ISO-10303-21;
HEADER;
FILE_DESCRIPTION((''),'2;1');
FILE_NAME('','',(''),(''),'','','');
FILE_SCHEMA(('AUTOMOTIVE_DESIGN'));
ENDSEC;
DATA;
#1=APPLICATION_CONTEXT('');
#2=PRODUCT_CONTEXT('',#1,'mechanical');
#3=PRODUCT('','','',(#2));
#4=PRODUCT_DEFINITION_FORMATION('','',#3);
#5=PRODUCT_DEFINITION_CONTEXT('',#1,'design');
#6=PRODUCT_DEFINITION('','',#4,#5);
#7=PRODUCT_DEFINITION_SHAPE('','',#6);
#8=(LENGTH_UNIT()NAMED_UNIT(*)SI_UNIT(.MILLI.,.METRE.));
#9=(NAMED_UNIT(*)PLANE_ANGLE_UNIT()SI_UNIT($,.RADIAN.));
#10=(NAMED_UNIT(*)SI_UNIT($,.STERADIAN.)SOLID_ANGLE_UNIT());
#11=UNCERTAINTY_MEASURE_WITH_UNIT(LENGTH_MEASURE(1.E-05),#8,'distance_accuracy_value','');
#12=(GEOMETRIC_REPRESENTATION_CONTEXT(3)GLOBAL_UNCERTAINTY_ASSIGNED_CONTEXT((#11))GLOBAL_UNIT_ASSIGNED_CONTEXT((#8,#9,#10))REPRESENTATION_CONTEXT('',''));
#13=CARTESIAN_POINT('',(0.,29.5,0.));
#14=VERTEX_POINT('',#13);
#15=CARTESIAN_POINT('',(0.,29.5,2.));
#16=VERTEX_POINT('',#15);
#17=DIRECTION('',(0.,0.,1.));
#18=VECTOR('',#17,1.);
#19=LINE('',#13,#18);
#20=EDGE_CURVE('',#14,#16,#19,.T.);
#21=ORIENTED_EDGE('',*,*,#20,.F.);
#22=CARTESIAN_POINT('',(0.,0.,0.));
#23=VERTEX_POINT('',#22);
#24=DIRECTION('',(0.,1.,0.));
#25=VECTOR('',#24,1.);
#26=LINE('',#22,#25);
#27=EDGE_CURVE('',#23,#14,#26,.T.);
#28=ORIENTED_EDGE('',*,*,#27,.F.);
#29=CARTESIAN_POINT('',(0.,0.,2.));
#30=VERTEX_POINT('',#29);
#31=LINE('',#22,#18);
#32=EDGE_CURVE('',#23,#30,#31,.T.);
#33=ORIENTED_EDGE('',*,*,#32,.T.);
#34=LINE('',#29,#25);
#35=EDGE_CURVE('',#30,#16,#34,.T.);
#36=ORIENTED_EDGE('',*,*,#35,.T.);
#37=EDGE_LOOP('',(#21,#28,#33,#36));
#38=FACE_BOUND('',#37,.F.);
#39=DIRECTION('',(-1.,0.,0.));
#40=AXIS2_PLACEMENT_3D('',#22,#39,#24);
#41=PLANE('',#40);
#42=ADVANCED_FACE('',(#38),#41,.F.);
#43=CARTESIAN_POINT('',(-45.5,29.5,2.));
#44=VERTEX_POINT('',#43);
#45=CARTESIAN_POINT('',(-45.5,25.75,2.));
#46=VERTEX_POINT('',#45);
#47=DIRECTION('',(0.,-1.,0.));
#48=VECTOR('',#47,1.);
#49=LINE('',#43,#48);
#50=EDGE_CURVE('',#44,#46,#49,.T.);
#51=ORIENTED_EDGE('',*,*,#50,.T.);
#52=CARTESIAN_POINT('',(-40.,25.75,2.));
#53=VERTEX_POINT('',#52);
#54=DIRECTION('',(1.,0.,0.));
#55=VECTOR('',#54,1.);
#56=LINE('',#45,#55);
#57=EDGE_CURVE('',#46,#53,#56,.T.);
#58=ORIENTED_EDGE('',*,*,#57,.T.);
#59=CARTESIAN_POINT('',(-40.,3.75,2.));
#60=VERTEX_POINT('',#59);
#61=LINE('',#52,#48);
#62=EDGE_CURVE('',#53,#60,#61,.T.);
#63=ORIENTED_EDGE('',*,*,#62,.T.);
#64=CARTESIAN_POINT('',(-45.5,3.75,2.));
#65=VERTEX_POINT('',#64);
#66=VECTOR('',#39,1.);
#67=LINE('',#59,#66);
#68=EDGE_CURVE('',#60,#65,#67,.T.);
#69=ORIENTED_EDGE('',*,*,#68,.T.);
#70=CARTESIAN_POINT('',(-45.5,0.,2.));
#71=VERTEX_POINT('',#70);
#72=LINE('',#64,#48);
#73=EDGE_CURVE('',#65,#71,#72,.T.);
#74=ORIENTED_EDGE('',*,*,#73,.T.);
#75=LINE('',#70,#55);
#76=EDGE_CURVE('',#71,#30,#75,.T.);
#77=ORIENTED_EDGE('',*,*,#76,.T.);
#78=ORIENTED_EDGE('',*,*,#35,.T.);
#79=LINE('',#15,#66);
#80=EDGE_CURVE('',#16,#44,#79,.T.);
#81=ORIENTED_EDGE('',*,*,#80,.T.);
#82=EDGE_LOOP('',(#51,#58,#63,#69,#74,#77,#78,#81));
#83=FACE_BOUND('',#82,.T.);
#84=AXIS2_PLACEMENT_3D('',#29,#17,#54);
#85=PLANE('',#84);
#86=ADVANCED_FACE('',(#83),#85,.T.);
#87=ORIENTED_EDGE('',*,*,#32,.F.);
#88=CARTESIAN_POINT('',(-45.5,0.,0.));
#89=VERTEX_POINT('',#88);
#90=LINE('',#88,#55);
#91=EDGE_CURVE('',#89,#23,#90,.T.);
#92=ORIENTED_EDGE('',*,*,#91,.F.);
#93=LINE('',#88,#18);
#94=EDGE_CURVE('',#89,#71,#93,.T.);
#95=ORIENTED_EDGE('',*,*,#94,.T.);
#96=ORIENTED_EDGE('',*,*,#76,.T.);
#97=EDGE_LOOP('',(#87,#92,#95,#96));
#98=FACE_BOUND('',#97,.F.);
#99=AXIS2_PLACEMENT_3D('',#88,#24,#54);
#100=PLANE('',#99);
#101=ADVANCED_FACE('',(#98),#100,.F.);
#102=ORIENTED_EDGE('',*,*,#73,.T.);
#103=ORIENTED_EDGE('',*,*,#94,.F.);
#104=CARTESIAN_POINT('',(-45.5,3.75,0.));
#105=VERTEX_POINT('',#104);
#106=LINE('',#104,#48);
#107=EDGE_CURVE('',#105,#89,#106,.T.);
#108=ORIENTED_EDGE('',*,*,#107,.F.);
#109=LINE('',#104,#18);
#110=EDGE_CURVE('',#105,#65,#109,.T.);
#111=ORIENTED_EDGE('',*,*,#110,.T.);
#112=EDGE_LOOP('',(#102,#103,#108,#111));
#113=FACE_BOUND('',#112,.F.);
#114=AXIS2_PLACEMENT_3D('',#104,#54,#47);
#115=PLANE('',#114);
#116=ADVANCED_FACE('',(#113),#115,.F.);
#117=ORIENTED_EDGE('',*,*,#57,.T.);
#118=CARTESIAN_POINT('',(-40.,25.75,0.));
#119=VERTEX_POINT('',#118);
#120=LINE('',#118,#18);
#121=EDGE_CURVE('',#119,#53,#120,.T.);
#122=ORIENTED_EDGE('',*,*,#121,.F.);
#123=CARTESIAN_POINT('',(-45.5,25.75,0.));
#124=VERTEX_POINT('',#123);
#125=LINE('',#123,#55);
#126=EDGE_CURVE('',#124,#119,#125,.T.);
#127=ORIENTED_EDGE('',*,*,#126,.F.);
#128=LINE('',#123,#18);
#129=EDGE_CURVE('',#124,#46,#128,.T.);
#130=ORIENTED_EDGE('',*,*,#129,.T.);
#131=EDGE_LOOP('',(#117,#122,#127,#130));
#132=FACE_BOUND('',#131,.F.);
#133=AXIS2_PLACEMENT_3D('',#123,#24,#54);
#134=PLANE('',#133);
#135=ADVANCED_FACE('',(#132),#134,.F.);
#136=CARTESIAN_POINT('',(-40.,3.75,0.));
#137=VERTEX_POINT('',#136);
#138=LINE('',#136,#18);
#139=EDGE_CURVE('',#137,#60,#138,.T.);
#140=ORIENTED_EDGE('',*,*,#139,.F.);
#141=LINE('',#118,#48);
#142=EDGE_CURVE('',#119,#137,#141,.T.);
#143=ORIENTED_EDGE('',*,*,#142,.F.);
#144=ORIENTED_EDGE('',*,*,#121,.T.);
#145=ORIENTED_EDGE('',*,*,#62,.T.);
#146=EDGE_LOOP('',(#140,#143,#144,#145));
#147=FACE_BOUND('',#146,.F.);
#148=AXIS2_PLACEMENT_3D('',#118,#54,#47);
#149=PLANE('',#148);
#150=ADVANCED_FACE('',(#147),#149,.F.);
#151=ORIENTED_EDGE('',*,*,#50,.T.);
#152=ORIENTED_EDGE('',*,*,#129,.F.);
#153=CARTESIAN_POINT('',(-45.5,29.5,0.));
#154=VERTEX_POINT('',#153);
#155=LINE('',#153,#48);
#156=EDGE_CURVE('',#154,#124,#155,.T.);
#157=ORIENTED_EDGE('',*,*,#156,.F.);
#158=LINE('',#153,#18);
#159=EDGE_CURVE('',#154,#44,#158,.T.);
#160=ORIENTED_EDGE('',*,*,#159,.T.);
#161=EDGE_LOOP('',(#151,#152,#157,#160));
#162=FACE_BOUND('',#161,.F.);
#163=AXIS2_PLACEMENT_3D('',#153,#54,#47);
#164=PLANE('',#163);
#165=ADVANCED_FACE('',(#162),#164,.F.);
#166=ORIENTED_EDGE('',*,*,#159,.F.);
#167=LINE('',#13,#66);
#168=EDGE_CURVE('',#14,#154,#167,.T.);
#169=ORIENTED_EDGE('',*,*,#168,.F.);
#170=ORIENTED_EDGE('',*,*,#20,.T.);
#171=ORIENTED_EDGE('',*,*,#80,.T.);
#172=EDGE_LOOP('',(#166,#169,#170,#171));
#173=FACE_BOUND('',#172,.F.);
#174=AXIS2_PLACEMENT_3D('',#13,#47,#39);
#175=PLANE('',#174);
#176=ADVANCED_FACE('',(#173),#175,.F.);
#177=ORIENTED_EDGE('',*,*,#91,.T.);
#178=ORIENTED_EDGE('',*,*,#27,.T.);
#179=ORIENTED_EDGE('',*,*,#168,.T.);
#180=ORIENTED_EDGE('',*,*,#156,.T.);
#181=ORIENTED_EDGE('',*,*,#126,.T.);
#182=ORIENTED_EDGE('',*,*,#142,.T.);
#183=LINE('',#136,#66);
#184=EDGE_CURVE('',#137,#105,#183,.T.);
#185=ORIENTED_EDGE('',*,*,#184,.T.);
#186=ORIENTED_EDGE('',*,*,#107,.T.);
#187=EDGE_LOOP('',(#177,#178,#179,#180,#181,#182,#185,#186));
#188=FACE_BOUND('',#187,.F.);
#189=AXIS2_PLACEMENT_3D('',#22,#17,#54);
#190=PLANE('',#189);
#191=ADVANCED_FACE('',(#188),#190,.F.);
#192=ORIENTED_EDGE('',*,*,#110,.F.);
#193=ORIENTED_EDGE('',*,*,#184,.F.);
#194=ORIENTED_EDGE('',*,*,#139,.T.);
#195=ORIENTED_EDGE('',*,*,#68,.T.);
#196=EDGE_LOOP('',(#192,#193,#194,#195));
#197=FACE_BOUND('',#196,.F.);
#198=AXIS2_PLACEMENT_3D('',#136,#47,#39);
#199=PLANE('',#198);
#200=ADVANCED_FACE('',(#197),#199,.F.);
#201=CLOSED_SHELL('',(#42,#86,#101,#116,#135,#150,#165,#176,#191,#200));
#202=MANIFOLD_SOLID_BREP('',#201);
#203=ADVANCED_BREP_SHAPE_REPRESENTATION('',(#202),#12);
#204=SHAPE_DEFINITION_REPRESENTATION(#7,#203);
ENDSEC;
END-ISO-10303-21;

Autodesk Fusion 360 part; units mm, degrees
sketch "Skizze1" plane through (0, 0, 0) normal (0, 0, 1) x (1, 0, 0)
  line L0 (0, 0) -> (0, 29.5)
  line L1 (0, 29.5) -> (-45.5, 29.5)
  line L2 (-45.5, 29.5) -> (-45.5, 25.75)
  line L3 (-45.5, 25.75) -> (-40, 25.75)
  line L4 (-40, 25.75) -> (-40, 3.75)
  line L5 (-40, 3.75) -> (-45.5, 3.75)
  line L6 (-45.5, 3.75) -> (-45.5, 0)
  line L7 (-45.5, 0) -> (0, 0)
  dimension "d1" = 29.5
  dimension "d2" = 45.5
  dimension "d3" = 22
  dimension "d4" = 3.75
  dimension "d7" = 45.5
extrude "Extrusion1" add sketch "Skizze1" along normal blind 2
